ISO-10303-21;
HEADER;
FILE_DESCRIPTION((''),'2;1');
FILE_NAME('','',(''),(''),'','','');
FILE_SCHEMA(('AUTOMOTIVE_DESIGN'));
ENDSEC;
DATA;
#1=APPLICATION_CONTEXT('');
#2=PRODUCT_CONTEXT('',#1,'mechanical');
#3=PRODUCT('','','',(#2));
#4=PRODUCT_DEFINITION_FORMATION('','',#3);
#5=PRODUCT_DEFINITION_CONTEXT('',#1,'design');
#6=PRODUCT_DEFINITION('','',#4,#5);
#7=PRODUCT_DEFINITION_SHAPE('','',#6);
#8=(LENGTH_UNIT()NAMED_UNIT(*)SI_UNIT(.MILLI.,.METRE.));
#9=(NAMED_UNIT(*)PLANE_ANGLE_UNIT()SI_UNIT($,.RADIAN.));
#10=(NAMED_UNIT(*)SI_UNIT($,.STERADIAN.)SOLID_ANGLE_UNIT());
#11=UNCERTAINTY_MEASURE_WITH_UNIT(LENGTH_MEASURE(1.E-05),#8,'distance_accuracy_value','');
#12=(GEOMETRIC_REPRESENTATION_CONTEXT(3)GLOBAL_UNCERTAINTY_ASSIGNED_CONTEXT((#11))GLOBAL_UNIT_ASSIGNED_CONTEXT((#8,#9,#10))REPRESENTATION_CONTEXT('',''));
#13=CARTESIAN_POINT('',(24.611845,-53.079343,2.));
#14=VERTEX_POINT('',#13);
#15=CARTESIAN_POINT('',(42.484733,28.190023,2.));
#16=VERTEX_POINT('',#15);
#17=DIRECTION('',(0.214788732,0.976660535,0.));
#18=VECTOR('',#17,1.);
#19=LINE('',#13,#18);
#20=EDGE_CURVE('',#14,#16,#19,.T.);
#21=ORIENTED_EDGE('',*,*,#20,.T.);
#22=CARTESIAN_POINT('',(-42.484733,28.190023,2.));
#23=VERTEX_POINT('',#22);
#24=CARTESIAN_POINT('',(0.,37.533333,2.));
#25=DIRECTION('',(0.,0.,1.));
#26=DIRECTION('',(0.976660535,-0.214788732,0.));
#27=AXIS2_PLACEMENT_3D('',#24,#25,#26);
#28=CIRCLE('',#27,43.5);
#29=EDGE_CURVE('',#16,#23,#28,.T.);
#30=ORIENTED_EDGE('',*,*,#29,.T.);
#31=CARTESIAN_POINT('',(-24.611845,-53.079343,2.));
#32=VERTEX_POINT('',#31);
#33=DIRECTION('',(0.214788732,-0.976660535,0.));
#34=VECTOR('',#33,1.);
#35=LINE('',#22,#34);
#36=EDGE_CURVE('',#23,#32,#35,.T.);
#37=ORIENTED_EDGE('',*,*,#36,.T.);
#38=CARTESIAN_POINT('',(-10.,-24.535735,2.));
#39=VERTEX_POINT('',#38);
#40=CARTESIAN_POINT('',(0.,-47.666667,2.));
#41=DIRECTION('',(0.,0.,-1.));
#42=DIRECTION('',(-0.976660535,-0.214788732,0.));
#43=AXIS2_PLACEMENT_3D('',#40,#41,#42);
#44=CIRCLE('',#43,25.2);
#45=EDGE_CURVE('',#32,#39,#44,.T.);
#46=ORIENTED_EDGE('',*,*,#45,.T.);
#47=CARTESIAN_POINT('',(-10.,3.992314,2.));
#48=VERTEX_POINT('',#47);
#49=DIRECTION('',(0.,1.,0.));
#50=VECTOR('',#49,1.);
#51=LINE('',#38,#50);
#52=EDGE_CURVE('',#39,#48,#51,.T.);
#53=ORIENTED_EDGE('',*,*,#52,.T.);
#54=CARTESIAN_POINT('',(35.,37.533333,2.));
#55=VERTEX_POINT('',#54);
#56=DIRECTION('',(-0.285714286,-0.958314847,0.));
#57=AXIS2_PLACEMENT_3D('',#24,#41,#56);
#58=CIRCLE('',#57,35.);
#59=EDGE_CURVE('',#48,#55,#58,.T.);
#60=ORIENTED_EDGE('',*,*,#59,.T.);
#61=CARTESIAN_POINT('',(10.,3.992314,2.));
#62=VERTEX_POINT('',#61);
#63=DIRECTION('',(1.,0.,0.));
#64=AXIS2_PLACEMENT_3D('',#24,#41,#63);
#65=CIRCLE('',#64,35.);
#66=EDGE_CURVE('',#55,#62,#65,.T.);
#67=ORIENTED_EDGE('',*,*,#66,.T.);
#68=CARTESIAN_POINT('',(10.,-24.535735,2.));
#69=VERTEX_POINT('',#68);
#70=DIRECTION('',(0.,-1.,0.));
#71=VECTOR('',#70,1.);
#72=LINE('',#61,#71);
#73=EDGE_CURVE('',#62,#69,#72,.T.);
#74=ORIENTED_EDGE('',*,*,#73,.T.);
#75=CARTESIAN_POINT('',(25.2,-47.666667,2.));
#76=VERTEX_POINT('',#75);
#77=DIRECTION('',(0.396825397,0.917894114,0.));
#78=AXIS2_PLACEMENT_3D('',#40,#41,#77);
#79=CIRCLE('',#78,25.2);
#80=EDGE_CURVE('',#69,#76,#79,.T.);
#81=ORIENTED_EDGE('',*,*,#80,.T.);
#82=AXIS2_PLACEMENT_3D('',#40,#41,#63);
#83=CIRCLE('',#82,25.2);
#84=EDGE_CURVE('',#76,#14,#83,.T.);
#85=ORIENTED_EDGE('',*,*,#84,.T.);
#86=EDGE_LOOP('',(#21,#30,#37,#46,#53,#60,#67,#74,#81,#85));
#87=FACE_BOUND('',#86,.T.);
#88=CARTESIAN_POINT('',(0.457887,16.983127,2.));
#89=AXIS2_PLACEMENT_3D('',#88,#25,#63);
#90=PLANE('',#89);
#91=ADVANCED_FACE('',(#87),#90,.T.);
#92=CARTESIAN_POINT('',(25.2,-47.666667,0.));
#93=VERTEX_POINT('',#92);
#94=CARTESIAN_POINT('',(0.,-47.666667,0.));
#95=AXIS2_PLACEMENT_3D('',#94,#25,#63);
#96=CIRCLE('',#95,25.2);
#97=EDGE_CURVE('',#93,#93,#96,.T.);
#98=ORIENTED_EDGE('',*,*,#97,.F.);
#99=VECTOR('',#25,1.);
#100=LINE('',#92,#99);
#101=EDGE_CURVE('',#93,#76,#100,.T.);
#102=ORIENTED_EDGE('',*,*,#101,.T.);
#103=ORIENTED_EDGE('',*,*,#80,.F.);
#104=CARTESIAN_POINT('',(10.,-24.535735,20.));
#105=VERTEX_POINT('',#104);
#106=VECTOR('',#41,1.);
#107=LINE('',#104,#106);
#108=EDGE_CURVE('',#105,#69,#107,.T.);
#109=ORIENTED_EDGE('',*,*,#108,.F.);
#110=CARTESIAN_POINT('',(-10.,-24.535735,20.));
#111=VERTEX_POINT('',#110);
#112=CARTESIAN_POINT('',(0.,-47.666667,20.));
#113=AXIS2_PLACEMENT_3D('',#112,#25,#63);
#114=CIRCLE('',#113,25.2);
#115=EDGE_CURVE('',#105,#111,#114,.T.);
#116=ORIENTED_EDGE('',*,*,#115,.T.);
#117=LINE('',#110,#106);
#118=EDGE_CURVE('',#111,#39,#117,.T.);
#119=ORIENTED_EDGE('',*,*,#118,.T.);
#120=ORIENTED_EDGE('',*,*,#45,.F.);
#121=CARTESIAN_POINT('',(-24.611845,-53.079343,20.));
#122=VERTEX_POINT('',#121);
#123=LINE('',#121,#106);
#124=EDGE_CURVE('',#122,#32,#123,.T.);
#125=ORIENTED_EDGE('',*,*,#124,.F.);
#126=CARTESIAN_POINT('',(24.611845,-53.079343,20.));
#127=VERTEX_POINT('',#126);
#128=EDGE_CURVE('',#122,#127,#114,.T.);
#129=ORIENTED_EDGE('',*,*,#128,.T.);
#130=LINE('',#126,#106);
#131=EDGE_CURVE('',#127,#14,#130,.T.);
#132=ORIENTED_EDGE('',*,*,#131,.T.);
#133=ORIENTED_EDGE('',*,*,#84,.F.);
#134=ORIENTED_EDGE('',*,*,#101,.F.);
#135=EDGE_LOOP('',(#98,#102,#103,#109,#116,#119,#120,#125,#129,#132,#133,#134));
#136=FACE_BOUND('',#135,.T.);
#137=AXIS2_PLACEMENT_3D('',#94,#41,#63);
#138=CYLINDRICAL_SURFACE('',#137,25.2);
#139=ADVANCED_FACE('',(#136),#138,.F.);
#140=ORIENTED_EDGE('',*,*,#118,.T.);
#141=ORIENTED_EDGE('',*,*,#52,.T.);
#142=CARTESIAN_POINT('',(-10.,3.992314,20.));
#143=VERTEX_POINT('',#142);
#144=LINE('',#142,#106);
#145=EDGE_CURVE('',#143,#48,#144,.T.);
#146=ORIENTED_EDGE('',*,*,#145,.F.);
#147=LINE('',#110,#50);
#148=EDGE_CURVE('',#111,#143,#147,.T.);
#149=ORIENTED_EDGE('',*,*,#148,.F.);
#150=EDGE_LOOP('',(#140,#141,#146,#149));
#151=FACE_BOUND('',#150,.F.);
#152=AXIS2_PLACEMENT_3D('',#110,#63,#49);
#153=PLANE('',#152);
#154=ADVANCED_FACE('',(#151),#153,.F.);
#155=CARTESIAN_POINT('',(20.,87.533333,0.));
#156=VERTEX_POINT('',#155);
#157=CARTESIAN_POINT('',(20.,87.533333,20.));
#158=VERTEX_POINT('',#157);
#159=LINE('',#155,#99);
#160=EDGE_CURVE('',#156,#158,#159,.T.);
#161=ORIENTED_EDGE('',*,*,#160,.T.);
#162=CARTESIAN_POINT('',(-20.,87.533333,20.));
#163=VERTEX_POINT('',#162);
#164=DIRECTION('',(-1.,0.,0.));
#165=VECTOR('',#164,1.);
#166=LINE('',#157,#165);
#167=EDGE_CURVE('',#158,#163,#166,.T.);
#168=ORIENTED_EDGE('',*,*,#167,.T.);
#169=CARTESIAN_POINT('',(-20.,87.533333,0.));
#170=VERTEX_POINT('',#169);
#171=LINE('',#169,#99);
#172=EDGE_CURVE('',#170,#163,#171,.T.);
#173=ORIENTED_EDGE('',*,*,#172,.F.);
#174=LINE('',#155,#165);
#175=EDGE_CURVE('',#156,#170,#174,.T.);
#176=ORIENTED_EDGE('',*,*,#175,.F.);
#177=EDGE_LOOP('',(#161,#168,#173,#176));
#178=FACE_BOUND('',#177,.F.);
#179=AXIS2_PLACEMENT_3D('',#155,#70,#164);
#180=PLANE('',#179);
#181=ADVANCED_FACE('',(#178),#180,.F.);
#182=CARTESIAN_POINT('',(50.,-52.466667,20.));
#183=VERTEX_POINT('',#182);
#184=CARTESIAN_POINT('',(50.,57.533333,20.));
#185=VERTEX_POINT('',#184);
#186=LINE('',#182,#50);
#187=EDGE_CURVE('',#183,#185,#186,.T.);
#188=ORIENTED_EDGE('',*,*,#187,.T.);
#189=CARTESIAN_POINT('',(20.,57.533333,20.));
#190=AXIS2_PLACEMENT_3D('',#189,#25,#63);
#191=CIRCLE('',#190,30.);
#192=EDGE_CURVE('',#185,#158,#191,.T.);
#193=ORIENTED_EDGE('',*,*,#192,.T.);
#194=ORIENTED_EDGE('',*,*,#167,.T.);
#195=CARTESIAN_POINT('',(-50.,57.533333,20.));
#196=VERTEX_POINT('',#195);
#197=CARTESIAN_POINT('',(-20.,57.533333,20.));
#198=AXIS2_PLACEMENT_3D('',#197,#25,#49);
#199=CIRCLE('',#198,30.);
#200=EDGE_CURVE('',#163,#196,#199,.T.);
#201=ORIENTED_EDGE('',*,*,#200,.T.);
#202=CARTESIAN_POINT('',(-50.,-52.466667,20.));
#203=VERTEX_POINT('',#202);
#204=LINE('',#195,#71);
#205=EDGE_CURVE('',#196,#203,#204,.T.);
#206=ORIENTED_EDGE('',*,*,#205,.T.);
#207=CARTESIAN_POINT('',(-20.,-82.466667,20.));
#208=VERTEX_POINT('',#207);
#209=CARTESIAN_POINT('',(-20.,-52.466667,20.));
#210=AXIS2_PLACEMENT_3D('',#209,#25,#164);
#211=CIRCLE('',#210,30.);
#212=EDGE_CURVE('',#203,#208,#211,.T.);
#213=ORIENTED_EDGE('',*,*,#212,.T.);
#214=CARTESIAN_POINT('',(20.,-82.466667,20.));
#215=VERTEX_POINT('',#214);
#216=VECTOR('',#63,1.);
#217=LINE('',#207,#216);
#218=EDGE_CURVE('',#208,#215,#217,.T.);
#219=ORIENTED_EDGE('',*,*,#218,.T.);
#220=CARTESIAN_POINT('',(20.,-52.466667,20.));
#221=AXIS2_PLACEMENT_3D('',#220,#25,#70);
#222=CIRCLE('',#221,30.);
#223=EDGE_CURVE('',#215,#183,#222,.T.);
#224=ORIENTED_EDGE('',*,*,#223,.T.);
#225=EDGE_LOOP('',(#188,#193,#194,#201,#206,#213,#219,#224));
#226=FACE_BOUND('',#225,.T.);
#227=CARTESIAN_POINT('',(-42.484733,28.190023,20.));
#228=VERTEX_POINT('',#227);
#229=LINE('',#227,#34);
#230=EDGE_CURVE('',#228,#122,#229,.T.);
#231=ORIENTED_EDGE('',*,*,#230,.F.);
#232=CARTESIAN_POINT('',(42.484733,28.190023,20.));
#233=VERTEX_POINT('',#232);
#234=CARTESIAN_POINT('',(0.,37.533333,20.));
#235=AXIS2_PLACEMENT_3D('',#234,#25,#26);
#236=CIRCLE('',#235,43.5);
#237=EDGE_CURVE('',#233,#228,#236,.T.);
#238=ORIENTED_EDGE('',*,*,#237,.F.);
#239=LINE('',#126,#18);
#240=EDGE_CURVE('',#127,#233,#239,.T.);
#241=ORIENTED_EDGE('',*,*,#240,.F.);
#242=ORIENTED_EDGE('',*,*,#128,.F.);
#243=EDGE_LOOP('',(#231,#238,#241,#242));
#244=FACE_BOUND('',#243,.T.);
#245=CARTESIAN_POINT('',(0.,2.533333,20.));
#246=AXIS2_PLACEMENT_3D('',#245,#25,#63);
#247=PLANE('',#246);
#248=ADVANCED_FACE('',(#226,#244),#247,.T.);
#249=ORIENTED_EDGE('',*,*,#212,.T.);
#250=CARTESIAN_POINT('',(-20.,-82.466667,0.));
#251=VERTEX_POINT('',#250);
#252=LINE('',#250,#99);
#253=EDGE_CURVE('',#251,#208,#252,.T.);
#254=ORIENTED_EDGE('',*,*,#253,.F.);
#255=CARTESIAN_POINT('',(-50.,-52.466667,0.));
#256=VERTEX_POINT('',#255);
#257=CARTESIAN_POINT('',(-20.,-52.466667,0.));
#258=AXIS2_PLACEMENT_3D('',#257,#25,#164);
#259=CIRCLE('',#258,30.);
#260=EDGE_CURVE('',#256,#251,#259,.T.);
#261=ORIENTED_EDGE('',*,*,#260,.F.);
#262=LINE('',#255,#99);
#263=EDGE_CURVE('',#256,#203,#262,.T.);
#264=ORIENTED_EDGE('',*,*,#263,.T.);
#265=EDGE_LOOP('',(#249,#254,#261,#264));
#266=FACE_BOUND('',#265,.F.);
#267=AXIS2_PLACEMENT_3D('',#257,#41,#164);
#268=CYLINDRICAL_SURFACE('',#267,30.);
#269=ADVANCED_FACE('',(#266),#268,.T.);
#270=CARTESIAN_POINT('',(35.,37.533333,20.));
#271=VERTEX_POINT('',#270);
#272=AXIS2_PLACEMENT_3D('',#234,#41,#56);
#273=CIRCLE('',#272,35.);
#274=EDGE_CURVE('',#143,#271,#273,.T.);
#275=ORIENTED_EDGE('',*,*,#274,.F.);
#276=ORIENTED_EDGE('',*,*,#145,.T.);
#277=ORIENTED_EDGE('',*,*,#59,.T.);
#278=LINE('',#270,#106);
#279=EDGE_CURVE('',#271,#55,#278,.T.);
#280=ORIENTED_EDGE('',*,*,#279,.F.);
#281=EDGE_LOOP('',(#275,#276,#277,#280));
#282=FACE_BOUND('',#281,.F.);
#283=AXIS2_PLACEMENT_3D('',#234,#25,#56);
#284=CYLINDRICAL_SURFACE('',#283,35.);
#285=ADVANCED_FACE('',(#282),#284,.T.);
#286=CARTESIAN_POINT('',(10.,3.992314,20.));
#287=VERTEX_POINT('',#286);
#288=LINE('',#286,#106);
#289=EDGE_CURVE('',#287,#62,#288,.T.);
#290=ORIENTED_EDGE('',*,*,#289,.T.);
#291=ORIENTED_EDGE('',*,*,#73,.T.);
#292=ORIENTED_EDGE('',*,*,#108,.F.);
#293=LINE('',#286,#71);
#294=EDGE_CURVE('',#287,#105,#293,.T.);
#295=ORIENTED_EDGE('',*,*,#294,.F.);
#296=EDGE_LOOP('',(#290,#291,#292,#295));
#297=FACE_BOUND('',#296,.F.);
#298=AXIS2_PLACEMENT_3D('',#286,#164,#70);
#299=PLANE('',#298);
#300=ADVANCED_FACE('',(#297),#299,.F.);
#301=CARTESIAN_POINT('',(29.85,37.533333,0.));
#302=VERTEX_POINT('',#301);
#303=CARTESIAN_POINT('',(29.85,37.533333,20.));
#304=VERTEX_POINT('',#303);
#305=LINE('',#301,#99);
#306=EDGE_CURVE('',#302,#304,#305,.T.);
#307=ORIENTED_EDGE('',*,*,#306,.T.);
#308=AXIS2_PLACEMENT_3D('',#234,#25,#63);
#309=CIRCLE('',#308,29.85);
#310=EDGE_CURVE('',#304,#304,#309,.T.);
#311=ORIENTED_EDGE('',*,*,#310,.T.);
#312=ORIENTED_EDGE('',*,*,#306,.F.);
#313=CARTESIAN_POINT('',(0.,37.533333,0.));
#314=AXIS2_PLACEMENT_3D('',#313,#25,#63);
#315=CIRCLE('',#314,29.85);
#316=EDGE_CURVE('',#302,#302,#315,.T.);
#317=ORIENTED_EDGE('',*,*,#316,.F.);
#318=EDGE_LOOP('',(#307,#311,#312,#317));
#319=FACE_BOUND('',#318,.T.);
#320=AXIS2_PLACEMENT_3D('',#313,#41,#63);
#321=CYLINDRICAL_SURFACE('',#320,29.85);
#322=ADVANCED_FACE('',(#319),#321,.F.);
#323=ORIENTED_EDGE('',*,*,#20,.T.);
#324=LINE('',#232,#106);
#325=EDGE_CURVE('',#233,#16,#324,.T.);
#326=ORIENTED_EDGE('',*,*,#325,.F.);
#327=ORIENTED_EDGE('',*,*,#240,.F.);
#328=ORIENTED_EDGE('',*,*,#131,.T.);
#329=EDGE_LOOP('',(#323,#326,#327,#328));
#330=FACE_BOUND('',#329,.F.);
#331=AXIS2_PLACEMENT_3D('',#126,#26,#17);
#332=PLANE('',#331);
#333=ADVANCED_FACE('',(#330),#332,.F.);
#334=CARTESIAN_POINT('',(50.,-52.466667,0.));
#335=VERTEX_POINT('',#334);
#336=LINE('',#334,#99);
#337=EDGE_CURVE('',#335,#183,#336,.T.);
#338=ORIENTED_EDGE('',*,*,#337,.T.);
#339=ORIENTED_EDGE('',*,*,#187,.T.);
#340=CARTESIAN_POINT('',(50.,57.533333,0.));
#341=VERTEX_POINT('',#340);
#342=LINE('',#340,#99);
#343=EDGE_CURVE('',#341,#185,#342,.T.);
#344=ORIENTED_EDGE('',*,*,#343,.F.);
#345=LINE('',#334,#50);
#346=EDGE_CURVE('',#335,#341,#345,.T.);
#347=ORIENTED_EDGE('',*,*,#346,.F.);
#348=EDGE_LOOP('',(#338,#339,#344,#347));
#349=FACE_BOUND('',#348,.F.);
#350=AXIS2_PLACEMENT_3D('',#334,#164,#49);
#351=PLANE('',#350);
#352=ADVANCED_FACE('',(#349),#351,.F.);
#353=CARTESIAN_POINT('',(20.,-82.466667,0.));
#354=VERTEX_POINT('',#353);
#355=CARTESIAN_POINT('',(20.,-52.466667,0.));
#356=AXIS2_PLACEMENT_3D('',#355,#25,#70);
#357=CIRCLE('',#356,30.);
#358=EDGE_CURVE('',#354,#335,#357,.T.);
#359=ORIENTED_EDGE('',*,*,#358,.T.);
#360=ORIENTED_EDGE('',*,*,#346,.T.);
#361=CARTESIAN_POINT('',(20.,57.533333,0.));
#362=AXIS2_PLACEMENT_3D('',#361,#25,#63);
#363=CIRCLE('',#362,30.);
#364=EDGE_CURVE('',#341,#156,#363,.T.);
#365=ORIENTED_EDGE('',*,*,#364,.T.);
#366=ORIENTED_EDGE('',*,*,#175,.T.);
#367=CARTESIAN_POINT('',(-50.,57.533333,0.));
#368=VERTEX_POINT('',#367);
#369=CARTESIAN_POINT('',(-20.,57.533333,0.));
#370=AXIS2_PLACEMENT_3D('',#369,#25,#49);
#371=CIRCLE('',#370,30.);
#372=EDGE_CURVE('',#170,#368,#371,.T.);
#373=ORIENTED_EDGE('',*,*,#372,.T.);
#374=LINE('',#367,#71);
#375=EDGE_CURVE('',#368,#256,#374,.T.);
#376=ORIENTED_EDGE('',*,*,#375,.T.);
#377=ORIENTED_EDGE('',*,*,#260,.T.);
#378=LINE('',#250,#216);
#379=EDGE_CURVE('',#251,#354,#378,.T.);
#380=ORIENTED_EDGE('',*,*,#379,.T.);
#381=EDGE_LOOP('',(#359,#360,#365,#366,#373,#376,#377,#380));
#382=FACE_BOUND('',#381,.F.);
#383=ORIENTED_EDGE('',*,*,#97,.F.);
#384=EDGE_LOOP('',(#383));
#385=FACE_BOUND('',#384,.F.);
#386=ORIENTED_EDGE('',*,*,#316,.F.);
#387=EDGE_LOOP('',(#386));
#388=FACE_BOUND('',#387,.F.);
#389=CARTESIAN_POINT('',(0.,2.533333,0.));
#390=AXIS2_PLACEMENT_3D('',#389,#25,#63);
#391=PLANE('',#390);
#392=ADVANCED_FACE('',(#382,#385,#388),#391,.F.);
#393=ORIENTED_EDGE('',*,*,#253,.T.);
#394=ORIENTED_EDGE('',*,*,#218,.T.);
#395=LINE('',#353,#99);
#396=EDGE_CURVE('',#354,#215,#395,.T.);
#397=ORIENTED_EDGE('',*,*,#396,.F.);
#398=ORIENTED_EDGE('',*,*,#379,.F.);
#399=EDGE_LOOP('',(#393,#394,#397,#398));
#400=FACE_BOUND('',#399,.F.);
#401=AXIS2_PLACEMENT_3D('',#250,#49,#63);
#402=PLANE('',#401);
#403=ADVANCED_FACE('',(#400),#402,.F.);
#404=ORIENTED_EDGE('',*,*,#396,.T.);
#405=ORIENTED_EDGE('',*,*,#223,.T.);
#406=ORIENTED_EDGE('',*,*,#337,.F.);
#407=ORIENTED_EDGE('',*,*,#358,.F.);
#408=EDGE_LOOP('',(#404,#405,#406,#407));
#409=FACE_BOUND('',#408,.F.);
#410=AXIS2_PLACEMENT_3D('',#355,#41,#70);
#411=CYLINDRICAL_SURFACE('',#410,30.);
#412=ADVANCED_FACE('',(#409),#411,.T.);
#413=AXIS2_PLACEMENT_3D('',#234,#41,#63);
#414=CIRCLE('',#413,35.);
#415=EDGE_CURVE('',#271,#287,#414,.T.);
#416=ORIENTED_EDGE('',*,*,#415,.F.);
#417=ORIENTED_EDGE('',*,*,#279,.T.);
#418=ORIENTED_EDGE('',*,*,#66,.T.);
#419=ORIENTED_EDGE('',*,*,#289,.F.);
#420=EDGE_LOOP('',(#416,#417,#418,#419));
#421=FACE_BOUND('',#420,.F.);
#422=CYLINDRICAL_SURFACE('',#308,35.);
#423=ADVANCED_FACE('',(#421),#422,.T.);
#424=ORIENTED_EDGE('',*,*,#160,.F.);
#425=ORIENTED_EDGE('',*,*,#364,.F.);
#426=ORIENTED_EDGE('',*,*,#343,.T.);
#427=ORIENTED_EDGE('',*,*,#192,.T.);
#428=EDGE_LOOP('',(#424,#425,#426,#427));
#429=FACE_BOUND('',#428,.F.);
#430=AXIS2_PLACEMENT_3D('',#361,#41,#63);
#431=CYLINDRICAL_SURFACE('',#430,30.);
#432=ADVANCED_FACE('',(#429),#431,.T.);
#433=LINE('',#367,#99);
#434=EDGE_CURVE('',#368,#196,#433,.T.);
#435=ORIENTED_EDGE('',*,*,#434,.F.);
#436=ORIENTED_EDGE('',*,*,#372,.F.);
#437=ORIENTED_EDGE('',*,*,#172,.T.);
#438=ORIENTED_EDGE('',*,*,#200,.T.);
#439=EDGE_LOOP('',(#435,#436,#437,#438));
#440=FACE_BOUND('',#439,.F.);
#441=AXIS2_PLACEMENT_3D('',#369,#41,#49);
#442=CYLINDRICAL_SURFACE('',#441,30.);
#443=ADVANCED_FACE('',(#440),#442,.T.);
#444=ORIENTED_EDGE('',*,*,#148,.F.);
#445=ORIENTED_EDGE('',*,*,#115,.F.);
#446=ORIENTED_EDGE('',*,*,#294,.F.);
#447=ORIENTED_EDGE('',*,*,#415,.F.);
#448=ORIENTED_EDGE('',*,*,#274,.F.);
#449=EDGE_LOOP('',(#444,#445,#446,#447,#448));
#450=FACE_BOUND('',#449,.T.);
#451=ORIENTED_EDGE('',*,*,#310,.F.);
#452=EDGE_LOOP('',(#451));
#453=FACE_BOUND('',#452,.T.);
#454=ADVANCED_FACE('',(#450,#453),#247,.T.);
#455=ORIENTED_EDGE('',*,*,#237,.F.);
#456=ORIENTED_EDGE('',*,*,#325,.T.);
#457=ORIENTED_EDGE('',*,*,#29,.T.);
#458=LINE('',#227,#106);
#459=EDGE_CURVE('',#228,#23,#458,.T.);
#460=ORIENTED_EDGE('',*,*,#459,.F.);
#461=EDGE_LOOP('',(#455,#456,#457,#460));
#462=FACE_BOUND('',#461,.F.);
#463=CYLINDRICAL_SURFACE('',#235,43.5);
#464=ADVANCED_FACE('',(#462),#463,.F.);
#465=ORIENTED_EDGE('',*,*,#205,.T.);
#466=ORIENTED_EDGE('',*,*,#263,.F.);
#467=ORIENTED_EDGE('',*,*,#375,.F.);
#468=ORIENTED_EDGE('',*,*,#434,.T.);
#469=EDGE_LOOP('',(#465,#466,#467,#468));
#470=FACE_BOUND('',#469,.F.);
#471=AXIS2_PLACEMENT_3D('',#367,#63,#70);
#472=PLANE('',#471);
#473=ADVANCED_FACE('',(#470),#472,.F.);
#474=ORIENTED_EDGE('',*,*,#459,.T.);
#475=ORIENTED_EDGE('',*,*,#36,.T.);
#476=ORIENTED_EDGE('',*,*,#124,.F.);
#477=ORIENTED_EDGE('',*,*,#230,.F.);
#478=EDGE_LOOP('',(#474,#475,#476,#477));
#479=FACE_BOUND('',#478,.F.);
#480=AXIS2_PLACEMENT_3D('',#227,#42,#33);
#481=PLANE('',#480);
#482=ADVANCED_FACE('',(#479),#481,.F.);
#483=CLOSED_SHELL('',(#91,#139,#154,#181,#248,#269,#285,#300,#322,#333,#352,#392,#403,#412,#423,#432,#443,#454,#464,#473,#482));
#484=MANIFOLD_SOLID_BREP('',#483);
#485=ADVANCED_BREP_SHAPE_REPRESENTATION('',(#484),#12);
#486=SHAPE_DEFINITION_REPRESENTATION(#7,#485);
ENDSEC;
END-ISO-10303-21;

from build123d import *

# Parameters (mm, degrees)
F0_R     = 25.2
F0_R_2   = 29.85
F1_DEPTH = 20
F3_DEPTH = 18


with BuildPart() as f1:
    # F0 (on Top) → F1 (new body)
    with BuildSketch(Plane.XY):
        with BuildLine():
            Line((50, -52.4666666667), (50, 57.5333333333))
            ThreePointArc((50, 57.5333333333), (41.2132034356, 78.7465367689), (20, 87.5333333333))
            Line((20, 87.5333333333), (-20, 87.5333333333))
            ThreePointArc((-20, 87.5333333333), (-41.2132034356, 78.7465367689), (-50, 57.5333333333))
            Line((-50, 57.5333333333), (-50, -52.4666666667))
            ThreePointArc((-50, -52.4666666667), (-41.2132034356, -73.6798701023), (-20, -82.4666666667))
            Line((-20, -82.4666666667), (20, -82.4666666667))
            ThreePointArc((20, -82.4666666667), (41.2132034356, -73.6798701023), (50, -52.4666666667))
        make_face()
        with Locations((0, -47.6666666667)):
            Circle(F0_R, mode=Mode.SUBTRACT)
        with Locations((0, 37.5333333333)):
            Circle(F0_R_2, mode=Mode.SUBTRACT)
    extrude(amount=F1_DEPTH)

    # F2 (on face) → F3 (cut)
    with BuildSketch(Plane.XY.offset(20)):
        with BuildLine():
            Line((24.6118454795, -53.079342723), (42.4847332683, 28.1900234742))
            ThreePointArc((42.4847332683, 28.1900234742), (0, 81.0333333333), (-42.4847332683, 28.1900234742))
            Line((-42.4847332683, 28.1900234742), (-24.6118454795, -53.079342723))
            ThreePointArc((-24.6118454795, -53.079342723), (-22.4316594885, -36.1836072924), (-10, -24.535734995))
            Line((-10, -24.535734995), (-10, 3.9923136708))
            ThreePointArc((-10, 3.9923136708), (-20.9165006634, 65.5957637341), (35, 37.5333333333))
            ThreePointArc((35, 37.5333333333), (28.0624304008, 16.61683267), (10, 3.9923136708))
            Line((10, 3.9923136708), (10, -24.535734995))
            ThreePointArc((10, -24.535734995), (21.0599145297, -33.8275915531), (25.2, -47.6666666667))
            ThreePointArc((25.2, -47.6666666667), (25.0525298731, -50.3889353819), (24.6118454795, -53.079342723))
        make_face()
    extrude(amount=-F3_DEPTH, mode=Mode.SUBTRACT)


solid = f1.part
